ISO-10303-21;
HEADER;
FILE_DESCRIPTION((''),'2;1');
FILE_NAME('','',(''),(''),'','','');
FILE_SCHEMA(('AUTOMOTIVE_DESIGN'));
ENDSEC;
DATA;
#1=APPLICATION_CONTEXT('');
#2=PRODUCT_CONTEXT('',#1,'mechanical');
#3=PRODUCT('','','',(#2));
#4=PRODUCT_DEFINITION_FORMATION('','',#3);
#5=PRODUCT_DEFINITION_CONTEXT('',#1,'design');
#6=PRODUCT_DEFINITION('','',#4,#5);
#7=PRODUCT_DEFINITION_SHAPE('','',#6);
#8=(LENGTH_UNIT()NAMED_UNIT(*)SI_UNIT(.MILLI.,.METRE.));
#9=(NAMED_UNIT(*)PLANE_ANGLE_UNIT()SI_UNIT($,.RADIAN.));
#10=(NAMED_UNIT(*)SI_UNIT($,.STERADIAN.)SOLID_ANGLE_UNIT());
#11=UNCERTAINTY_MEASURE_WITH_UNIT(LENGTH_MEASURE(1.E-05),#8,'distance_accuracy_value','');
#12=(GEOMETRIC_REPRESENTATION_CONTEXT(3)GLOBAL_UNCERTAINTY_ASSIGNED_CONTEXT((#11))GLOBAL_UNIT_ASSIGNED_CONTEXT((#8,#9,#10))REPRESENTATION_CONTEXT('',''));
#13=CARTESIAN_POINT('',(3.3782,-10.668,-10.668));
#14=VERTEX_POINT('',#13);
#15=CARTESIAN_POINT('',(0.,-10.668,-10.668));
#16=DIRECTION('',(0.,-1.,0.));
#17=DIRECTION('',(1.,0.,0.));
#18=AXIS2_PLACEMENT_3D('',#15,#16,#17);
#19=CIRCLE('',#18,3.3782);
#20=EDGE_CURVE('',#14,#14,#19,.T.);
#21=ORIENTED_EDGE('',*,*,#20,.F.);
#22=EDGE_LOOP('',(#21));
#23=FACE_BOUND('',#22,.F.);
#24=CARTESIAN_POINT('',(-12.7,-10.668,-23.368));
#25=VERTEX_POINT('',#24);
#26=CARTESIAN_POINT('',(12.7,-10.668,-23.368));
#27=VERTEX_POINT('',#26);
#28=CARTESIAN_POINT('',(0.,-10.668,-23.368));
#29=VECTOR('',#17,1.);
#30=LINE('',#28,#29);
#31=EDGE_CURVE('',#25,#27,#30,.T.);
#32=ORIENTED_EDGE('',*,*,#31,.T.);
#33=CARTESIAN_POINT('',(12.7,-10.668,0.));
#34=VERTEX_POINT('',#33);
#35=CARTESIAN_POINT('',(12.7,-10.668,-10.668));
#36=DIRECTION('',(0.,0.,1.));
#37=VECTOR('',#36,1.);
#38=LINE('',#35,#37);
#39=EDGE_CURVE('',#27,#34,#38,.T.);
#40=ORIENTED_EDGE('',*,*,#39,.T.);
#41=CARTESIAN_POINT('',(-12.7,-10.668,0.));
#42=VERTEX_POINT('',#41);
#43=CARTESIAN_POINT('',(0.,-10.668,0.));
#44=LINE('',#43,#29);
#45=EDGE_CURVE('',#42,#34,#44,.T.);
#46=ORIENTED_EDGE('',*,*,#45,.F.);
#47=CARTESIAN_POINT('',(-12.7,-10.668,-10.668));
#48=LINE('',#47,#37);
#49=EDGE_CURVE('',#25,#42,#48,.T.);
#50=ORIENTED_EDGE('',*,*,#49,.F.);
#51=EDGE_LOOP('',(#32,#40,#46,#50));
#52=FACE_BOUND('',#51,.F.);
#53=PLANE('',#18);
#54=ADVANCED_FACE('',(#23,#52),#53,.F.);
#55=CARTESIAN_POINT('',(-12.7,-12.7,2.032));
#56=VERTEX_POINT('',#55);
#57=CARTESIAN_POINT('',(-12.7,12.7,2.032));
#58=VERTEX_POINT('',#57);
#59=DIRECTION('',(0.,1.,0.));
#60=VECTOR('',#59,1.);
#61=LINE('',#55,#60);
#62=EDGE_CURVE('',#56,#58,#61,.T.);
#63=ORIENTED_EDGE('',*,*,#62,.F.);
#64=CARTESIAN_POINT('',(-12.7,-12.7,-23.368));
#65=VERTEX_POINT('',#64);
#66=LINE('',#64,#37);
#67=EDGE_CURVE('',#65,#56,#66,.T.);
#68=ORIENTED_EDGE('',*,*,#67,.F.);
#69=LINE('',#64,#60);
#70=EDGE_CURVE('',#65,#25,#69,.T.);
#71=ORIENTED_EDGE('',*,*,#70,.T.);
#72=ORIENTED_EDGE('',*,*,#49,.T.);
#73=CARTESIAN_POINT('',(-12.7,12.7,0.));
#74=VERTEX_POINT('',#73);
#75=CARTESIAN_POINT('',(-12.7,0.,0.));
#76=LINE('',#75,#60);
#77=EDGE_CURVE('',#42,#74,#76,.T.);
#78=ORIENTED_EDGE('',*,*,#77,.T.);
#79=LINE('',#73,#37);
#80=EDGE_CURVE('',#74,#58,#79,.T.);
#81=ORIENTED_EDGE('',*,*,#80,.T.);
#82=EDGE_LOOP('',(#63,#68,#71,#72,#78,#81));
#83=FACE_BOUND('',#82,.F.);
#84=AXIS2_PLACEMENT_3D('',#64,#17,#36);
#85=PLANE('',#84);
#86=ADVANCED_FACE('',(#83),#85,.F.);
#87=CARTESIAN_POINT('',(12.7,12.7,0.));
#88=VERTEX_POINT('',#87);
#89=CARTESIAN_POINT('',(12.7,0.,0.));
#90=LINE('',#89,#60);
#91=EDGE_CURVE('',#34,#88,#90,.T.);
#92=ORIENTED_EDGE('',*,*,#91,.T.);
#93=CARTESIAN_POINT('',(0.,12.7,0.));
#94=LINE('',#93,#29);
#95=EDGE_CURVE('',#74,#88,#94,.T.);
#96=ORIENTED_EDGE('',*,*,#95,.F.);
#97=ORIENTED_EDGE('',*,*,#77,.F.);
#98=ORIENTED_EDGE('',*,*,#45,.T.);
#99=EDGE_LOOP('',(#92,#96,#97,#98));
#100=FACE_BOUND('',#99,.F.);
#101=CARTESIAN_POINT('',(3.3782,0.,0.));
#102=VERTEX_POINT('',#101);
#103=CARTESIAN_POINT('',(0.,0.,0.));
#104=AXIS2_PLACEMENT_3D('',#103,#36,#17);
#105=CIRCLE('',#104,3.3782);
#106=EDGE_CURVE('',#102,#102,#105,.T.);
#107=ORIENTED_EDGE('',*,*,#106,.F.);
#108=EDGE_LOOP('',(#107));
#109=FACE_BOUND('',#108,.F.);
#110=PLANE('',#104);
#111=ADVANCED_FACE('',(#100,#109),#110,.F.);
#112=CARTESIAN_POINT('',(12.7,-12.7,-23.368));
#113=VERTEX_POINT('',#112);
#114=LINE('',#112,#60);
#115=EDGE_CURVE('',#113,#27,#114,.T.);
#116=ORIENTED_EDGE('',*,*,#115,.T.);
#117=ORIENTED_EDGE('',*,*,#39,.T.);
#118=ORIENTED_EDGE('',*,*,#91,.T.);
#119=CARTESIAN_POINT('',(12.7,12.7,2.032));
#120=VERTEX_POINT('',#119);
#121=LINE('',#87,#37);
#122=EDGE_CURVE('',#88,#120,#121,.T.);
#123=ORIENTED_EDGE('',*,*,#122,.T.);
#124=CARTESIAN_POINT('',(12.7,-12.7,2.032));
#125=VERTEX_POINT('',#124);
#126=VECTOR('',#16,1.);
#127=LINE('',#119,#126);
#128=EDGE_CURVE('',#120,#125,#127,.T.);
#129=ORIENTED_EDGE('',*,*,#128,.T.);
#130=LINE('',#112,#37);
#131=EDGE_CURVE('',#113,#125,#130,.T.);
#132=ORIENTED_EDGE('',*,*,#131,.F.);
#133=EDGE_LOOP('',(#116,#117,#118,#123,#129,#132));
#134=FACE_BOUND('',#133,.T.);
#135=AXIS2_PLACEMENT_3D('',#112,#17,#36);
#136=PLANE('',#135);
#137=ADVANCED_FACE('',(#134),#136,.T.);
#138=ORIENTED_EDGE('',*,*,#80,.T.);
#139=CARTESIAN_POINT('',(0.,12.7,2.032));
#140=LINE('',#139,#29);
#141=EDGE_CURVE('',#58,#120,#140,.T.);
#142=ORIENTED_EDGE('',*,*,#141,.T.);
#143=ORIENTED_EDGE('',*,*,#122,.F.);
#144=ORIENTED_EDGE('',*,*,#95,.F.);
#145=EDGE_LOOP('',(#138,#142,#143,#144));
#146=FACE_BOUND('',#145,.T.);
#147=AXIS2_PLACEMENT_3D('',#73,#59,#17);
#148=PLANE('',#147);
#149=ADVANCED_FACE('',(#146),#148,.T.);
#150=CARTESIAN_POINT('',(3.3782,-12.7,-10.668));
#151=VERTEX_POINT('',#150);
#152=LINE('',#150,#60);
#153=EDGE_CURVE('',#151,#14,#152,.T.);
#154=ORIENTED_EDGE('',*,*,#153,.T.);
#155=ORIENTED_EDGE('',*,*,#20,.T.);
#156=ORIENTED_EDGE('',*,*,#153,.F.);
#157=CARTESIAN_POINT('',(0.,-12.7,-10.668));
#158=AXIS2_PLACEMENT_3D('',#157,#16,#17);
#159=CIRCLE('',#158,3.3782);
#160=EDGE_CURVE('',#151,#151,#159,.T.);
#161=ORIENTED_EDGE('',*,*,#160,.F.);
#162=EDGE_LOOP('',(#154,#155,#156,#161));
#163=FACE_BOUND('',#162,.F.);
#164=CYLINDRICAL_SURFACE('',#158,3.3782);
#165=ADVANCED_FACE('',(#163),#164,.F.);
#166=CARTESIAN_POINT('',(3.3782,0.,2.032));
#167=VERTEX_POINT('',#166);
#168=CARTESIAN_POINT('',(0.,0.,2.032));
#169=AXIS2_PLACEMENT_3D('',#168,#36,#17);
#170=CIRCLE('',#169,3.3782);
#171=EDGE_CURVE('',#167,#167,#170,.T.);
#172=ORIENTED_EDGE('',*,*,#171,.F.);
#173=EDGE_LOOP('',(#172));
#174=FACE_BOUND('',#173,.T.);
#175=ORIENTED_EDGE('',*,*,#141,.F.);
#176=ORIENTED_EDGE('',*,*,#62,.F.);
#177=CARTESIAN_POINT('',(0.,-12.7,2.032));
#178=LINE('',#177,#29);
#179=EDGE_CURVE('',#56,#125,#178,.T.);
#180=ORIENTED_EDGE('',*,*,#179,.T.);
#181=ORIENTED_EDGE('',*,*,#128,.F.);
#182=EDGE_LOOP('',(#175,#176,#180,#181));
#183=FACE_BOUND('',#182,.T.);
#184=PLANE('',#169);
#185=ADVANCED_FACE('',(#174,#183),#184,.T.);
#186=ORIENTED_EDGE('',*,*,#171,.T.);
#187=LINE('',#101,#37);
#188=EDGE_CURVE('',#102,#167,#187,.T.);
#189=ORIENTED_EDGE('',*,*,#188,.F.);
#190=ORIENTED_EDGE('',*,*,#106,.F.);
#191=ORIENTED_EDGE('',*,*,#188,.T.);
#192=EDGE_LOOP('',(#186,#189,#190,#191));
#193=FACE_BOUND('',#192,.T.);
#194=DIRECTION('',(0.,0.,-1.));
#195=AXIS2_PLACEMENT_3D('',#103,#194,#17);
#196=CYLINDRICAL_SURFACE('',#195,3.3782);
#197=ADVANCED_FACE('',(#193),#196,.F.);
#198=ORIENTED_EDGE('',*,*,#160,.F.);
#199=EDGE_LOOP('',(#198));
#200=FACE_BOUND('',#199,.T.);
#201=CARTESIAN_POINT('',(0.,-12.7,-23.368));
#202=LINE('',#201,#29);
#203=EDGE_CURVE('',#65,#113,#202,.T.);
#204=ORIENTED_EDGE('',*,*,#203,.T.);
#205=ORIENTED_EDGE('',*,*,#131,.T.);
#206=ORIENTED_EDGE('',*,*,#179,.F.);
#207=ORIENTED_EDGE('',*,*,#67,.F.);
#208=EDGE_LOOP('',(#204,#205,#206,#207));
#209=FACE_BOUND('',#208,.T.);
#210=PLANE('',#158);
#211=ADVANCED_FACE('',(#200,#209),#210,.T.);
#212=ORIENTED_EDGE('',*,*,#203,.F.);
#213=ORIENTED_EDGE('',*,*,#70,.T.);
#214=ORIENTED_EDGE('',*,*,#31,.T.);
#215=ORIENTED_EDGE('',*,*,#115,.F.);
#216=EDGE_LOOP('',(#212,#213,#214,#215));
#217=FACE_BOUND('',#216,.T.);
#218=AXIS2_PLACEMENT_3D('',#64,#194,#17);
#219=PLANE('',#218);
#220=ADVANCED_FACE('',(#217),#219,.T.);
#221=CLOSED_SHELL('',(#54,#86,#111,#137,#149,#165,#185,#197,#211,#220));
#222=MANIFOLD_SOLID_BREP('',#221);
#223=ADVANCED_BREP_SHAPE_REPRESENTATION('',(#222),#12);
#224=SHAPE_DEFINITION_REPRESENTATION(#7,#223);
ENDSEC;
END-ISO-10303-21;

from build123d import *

# Parameters (mm, degrees)
SKETCH_W     = 25.4
SKETCH_H     = 25.4
SKETCH_R     = 3.3782
PAD_DEPTH    = 2.032
SKETCH001_W  = 25.4
SKETCH001_H  = 25.4
SKETCH001_R  = 3.3782
PAD001_DEPTH = 2.032


with BuildPart() as part:
    # Sketch → Pad (new body)
    with BuildSketch(Plane.XY):
        Rectangle(SKETCH_W, SKETCH_H)
        Circle(SKETCH_R, mode=Mode.SUBTRACT)
    extrude(amount=PAD_DEPTH)

    # Sketch001 (on Face2 of Pad) → Pad001 (join)
    with BuildSketch(Plane.XZ.offset(12.7)):
        with Locations((0, -10.668)):
            Rectangle(SKETCH001_W, SKETCH001_H)
        with Locations((0, -10.668)):
            Circle(SKETCH001_R, mode=Mode.SUBTRACT)
    extrude(amount=-PAD001_DEPTH)


solid = part.part
